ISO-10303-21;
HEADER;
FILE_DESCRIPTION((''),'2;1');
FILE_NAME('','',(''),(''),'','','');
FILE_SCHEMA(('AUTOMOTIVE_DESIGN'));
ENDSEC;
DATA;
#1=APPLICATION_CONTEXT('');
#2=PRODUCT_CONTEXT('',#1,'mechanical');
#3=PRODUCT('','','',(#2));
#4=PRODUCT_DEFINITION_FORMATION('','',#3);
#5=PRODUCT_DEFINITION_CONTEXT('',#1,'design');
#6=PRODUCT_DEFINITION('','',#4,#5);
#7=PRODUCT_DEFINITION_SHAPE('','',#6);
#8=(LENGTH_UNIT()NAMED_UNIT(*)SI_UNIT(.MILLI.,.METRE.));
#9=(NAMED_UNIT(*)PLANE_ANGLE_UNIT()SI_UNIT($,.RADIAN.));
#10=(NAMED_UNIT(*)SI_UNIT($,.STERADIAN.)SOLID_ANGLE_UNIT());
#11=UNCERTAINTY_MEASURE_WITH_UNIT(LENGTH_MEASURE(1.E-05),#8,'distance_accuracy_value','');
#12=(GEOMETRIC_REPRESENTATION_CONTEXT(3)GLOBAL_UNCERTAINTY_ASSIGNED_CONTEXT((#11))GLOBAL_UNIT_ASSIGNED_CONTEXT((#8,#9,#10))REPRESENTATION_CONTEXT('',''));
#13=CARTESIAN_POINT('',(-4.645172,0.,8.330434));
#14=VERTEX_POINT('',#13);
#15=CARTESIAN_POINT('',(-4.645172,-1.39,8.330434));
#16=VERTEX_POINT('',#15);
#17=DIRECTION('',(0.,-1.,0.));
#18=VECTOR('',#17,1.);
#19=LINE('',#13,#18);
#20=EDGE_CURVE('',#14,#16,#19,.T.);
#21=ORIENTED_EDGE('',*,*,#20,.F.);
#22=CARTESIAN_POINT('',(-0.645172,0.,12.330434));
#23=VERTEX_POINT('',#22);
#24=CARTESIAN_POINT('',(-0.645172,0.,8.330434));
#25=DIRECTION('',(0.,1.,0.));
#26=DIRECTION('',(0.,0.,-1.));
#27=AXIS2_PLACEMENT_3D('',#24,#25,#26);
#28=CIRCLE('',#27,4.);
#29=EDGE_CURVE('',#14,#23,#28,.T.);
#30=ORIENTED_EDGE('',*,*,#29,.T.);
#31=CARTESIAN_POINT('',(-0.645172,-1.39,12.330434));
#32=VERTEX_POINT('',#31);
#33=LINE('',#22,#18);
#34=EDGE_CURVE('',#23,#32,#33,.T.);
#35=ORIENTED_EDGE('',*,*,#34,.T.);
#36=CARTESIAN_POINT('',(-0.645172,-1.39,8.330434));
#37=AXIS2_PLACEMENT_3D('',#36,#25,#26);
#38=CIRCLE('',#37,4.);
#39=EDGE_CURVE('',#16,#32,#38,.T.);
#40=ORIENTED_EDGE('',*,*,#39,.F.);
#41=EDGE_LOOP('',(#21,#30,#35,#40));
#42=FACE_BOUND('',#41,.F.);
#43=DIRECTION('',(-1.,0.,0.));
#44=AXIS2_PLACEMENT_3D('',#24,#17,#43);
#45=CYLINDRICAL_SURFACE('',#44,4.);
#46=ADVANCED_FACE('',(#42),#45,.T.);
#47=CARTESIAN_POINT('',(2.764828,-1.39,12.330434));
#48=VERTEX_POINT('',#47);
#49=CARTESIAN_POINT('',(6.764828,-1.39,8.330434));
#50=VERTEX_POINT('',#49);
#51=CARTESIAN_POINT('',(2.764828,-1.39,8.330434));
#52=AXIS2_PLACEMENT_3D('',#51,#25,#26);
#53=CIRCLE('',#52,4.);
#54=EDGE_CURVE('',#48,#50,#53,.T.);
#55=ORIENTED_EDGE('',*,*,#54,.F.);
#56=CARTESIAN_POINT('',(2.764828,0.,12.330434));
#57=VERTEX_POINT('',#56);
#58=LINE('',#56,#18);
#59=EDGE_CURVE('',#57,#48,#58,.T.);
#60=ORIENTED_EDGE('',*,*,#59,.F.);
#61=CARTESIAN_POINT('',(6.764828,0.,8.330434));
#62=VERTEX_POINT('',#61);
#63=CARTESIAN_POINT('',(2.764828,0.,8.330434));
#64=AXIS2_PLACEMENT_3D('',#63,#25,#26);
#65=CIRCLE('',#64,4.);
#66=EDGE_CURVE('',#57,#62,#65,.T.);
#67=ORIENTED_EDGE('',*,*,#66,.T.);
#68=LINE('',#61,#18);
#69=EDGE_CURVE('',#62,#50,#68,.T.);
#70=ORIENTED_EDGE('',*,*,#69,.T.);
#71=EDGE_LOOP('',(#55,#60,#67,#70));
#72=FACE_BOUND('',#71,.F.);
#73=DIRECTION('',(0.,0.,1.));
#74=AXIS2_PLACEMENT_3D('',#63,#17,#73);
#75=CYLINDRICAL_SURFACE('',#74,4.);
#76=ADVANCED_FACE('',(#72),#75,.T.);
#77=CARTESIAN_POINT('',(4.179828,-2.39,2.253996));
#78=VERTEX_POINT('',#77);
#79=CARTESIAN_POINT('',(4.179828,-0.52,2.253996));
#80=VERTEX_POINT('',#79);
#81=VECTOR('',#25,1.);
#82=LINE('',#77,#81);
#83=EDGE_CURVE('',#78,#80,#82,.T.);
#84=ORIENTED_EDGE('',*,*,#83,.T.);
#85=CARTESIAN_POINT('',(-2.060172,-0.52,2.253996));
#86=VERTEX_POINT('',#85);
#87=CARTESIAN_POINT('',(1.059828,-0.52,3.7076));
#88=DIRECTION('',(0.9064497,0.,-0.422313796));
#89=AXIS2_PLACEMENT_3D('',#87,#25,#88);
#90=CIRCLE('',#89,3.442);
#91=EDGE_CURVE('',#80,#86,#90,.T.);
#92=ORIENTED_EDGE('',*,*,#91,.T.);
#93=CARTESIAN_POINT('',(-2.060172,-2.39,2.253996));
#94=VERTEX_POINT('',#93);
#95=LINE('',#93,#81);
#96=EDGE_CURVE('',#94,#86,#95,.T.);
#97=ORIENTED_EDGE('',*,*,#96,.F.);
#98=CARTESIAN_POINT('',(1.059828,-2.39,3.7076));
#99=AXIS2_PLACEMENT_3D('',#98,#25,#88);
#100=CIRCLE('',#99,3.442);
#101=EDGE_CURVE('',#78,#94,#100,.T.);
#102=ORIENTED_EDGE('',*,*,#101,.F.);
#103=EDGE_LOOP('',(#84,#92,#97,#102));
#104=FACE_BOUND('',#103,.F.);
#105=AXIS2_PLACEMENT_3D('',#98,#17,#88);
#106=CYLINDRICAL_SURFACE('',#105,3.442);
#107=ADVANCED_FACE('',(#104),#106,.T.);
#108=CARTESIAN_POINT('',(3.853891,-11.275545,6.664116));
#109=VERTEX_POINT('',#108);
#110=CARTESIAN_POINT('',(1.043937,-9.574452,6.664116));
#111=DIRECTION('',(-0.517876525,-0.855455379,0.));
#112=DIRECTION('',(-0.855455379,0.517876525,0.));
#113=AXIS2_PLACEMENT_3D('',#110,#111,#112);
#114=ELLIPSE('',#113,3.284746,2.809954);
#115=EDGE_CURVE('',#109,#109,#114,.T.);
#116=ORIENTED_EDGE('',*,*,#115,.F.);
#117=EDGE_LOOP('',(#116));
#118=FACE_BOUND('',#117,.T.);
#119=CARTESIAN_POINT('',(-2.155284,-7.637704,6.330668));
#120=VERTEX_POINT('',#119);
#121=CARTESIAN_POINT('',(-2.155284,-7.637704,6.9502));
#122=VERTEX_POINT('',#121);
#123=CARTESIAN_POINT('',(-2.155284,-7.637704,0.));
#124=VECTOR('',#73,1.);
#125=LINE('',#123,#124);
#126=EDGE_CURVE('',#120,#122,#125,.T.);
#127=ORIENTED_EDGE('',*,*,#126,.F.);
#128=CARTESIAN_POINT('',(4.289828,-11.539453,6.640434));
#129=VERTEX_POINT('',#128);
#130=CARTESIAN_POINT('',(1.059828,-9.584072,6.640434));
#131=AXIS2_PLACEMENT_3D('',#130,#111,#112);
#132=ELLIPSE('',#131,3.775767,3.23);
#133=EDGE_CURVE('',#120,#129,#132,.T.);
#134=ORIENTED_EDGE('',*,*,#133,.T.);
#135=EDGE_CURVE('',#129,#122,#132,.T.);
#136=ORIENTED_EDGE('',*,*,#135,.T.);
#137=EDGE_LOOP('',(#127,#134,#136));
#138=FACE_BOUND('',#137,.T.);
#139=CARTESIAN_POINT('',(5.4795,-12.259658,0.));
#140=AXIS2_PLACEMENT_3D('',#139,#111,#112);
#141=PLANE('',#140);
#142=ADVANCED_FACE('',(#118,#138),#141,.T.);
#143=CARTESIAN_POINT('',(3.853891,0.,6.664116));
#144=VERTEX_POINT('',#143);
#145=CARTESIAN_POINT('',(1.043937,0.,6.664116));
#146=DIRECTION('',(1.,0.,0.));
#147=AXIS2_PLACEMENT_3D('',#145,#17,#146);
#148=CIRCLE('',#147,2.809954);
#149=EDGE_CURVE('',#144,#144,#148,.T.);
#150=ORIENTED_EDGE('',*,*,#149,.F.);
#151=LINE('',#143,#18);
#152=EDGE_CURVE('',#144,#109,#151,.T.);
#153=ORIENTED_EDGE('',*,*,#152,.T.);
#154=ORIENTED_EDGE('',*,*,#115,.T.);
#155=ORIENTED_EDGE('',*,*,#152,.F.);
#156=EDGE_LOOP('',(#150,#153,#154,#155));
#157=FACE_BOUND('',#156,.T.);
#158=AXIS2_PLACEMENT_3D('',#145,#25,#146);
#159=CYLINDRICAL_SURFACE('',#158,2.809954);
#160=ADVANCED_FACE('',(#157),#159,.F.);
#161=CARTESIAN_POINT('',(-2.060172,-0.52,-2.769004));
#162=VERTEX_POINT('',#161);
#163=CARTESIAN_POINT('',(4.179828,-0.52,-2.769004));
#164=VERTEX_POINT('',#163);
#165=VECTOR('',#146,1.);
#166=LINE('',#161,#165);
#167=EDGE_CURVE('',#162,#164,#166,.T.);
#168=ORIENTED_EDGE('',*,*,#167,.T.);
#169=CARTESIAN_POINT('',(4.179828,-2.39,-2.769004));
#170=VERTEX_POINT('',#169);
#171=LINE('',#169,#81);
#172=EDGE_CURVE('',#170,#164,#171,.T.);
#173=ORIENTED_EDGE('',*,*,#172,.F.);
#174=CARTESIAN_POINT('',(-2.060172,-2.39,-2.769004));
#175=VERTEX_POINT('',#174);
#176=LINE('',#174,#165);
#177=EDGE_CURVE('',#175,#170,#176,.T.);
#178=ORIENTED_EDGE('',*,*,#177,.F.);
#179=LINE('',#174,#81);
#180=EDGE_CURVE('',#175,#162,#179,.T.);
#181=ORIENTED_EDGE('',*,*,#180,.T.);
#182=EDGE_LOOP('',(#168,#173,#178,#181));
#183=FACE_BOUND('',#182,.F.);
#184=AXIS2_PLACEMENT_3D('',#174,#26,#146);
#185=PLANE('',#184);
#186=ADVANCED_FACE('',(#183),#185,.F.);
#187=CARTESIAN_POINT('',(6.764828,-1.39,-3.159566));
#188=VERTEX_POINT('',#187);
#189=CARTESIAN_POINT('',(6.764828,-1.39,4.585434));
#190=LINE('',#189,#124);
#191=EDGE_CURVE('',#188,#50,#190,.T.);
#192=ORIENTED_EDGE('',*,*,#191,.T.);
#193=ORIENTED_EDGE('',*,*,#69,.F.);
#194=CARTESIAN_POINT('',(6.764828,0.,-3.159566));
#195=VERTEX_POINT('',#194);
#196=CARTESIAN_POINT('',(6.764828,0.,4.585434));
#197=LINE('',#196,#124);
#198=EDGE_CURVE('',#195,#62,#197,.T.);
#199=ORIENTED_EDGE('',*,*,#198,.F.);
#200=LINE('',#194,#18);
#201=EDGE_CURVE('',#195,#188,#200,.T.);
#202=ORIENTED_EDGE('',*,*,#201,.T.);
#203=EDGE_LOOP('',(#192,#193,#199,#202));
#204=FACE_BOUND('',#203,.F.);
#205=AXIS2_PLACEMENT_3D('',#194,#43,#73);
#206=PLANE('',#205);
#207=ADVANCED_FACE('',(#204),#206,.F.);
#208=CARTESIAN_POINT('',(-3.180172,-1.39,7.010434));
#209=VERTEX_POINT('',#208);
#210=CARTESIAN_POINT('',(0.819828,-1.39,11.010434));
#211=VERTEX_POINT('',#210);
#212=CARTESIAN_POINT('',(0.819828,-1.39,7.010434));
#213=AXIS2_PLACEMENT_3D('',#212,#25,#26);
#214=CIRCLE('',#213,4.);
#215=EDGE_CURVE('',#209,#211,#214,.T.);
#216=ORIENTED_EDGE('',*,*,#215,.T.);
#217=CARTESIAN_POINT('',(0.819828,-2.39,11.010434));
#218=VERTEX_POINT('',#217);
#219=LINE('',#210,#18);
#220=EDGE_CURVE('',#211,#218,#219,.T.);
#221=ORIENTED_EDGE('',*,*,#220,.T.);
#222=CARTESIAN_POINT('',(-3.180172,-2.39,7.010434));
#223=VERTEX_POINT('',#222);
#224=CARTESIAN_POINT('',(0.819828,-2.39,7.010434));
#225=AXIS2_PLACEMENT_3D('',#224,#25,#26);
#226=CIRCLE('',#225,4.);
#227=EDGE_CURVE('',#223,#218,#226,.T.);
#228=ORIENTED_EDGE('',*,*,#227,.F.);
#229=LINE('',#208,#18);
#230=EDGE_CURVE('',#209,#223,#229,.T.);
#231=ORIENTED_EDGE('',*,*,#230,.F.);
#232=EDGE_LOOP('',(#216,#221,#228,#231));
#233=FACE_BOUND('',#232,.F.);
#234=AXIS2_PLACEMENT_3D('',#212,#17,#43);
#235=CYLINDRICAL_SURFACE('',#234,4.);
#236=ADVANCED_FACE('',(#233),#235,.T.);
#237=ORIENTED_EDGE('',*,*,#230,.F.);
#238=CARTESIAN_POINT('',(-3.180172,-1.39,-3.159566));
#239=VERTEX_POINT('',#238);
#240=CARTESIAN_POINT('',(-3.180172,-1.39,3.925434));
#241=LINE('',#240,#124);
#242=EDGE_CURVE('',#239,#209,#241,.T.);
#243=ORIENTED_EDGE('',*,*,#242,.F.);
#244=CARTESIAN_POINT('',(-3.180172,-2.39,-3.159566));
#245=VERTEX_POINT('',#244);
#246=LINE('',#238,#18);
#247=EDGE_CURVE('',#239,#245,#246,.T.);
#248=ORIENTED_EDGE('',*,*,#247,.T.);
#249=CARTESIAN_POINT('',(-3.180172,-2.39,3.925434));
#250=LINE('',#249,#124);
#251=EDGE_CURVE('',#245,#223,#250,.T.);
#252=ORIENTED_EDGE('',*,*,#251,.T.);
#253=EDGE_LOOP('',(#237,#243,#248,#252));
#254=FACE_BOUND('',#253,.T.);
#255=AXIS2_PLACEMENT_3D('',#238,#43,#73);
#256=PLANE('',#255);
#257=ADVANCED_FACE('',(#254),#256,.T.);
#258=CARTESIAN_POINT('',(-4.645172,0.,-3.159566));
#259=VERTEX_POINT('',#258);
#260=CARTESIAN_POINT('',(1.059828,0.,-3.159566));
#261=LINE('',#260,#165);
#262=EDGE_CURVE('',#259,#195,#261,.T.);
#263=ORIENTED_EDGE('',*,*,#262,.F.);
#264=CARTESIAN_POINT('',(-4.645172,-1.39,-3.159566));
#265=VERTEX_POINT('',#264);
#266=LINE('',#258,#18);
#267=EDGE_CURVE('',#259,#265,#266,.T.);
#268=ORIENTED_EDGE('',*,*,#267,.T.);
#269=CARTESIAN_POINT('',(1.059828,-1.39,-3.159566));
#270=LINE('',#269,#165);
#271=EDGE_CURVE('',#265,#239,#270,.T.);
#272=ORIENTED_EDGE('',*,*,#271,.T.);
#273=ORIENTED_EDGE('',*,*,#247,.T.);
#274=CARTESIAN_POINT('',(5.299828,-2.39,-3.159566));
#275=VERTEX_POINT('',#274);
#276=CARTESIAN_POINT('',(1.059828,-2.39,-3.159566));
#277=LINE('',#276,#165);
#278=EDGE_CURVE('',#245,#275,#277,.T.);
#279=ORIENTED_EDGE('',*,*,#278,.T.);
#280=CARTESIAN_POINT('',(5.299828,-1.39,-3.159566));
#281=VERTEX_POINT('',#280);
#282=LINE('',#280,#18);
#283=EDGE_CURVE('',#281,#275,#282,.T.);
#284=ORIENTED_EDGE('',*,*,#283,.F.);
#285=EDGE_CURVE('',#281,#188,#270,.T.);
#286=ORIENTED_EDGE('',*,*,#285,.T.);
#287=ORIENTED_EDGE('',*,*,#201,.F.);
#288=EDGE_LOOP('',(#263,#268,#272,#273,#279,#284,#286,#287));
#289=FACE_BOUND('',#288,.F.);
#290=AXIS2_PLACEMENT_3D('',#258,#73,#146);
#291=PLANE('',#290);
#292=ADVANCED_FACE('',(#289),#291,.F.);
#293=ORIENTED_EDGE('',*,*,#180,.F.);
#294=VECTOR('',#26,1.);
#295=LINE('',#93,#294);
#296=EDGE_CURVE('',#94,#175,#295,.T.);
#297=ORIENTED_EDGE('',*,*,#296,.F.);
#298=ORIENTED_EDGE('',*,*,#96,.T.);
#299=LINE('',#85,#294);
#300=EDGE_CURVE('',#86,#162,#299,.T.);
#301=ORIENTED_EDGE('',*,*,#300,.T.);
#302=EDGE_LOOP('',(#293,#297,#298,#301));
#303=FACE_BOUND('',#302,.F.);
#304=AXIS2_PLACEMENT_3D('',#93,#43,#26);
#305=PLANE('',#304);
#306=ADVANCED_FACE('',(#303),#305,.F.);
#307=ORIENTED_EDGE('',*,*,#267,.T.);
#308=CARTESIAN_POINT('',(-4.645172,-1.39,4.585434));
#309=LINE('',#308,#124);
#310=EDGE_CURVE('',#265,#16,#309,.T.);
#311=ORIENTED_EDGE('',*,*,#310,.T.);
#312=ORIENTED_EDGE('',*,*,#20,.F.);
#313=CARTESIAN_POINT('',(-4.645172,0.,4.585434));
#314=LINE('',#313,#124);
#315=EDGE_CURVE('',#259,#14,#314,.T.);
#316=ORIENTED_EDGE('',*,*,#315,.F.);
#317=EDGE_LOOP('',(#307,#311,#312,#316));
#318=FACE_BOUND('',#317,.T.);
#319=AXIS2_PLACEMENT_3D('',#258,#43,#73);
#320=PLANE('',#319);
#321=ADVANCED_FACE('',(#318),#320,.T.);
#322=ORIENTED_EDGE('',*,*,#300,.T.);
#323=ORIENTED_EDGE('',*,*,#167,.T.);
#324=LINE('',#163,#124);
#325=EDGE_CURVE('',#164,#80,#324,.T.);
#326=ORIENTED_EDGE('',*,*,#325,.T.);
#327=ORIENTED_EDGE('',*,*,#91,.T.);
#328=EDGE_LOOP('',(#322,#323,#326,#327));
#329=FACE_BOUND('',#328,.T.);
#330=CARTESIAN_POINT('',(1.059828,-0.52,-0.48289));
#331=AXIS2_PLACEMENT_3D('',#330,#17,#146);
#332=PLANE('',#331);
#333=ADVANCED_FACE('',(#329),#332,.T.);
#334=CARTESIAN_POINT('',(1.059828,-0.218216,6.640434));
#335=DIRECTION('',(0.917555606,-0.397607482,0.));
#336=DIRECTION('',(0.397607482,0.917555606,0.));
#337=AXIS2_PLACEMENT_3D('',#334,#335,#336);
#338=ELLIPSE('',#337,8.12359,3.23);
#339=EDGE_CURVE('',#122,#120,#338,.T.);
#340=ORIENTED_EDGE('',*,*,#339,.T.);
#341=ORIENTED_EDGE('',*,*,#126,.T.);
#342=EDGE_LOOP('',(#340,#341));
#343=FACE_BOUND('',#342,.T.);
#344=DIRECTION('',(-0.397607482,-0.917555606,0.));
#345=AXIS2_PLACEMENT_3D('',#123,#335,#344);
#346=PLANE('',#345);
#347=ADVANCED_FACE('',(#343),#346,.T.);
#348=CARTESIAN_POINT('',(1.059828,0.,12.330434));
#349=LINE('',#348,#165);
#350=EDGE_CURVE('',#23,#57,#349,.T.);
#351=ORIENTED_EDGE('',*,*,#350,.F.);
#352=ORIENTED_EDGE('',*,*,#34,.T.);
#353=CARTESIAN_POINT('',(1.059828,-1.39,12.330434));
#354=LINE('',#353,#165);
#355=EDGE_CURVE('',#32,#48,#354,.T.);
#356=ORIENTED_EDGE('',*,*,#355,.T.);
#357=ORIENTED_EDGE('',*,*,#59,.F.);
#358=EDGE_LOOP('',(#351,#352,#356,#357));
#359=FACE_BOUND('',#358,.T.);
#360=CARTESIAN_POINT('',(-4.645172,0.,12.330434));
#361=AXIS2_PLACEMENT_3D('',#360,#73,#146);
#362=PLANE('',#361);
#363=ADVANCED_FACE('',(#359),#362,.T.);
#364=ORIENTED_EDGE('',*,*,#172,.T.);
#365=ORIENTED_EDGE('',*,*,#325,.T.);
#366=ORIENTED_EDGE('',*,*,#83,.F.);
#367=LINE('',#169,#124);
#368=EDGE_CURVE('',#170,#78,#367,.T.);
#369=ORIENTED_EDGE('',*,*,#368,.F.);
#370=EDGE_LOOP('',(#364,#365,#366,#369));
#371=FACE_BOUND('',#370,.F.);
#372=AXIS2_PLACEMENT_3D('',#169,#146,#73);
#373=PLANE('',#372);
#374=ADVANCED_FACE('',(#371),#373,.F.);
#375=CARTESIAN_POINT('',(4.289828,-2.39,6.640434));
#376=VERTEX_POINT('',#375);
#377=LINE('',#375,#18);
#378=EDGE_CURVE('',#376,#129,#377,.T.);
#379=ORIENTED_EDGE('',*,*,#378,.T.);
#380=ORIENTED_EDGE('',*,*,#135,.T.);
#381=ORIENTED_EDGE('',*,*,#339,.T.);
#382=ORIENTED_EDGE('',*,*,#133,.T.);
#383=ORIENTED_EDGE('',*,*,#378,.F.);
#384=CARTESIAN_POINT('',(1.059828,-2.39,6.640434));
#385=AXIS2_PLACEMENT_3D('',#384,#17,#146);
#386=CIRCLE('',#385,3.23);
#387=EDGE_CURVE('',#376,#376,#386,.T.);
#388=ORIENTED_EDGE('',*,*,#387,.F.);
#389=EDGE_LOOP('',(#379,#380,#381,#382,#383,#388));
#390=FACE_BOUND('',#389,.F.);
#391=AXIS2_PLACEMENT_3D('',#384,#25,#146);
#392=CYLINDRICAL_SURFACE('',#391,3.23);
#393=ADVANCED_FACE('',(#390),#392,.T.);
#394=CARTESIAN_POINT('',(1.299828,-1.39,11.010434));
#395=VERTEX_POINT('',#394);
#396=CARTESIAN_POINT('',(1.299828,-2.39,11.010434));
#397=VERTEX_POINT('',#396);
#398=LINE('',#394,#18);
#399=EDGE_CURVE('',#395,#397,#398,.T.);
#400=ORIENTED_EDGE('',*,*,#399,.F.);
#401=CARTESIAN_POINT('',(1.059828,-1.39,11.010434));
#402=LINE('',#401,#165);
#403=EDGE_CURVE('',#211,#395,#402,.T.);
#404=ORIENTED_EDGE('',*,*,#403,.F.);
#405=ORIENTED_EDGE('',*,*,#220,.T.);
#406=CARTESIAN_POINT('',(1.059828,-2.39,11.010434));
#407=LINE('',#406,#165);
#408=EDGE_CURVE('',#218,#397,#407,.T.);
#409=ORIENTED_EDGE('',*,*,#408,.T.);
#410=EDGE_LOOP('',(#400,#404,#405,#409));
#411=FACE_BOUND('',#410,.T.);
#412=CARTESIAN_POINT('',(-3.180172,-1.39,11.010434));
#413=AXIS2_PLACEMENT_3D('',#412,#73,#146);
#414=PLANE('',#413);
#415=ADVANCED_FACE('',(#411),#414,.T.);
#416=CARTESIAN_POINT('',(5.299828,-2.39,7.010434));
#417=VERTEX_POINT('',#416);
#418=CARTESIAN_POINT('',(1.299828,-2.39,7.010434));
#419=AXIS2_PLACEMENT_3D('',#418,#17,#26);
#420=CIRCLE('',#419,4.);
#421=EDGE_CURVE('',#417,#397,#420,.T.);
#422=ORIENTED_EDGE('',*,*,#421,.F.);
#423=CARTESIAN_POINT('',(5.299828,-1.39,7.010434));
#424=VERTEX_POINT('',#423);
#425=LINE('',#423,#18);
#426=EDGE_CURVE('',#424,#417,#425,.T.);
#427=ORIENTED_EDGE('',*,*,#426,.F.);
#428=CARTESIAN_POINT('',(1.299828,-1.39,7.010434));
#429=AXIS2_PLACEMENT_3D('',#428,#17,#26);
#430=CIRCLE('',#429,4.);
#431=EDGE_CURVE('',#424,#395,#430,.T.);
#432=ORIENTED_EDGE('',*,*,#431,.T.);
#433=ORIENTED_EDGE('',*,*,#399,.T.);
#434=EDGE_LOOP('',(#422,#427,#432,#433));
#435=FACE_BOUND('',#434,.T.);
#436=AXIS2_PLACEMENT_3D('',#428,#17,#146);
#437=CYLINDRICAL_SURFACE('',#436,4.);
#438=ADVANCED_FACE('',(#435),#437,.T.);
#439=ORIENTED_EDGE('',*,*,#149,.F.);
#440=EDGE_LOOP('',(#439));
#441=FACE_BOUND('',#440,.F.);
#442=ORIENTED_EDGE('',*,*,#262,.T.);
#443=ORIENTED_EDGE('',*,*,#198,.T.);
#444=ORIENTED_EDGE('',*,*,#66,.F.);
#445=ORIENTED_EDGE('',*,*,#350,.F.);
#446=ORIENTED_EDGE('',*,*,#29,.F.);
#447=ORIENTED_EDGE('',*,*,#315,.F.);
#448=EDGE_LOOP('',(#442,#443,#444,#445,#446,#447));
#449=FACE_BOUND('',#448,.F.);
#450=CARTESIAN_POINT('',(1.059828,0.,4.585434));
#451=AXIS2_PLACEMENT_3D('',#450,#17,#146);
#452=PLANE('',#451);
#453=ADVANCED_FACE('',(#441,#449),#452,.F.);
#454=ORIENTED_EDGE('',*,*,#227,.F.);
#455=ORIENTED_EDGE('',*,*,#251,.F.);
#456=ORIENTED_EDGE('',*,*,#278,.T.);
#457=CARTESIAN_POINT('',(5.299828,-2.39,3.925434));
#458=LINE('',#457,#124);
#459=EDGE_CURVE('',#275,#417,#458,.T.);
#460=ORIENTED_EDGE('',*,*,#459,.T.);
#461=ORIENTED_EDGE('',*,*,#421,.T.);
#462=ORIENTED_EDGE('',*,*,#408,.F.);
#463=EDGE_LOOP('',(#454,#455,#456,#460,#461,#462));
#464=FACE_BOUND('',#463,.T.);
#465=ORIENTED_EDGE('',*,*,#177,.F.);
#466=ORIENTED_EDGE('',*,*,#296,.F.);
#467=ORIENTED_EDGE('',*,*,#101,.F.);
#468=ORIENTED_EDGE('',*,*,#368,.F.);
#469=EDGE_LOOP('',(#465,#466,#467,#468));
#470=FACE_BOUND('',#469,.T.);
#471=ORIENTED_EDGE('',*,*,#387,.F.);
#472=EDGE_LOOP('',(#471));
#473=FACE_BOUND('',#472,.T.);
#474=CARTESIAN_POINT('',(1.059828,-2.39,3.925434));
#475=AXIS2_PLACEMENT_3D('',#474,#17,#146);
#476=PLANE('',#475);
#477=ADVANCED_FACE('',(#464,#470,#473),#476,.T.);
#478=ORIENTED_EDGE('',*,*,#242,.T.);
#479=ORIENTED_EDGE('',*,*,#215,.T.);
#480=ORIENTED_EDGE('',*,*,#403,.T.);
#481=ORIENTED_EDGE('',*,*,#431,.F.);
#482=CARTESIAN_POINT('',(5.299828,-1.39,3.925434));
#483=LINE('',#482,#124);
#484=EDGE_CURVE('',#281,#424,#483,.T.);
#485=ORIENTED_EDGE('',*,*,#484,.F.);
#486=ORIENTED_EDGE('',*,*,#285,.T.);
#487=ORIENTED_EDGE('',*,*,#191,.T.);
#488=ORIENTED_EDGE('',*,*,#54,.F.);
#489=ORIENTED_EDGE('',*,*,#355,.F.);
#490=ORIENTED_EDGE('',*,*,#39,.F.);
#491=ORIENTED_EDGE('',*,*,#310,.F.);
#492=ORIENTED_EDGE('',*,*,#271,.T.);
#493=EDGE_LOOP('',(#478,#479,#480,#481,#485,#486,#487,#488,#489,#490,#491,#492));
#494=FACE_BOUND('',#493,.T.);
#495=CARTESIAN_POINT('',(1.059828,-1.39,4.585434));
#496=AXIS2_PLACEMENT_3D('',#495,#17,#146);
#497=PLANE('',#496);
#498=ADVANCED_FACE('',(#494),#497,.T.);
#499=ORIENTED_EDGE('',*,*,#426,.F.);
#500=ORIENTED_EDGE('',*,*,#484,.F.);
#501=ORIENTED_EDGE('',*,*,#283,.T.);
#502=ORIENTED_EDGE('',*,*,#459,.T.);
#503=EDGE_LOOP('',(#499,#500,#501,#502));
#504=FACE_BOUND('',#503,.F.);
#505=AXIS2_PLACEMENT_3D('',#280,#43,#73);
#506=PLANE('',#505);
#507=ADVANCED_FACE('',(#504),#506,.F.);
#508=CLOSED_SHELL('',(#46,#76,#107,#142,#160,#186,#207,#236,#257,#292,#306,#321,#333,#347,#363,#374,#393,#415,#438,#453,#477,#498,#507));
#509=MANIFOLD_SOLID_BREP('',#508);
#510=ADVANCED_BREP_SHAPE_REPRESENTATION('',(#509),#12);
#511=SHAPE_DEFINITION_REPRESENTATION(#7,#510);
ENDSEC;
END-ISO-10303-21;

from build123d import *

# Parameters (mm, degrees)
F0_W      = 11.41
F0_H      = 15.49
F1_DEPTH  = 1.39
F2_W      = 8.48
F2_H      = 14.17
F3_DEPTH  = 1
F4_R      = 3.23
F5_DEPTH  = 9.16
F6_R      = 4
F7_R      = 2.809954
F8_DEPTH  = 11.551
F10_DEPTH = 25
F12_DEPTH = 1.87


with BuildPart() as f1:
    # F0 (on Front) → F1 (new body)
    with BuildSketch(Plane.XZ):
        with Locations((1.059828, 4.585434)):
            Rectangle(F0_W, F0_H)
    extrude(amount=F1_DEPTH)

    # F2 (on face) → F3 (join)
    with BuildSketch(Plane.XZ.offset(1.39)):
        with Locations((1.059828, 3.925434)):
            Rectangle(F2_W, F2_H)
    extrude(amount=F3_DEPTH)

    # F4 (on face) → F5 (join)
    with BuildSketch(Plane.XZ.offset(2.39)):
        with Locations((1.059828, 6.640434)):
            Circle(F4_R)
    extrude(amount=F5_DEPTH)

    # F6
    f6_edges = [f1.edges().sort_by_distance(p)[0] for p in [
        (-4.645172, -0.695, 12.330434),
        (6.764828, -0.695, 12.330434),
        (5.299828, -1.89, 11.010434),
        (-3.180172, -1.89, 11.010434),
    ]]
    fillet(f6_edges, radius=F6_R)

    # F7 (on Front) → F8 (cut, through all)
    with BuildSketch(Plane.XZ):
        with Locations((1.043937, 6.664116)):
            Circle(F7_R)
    extrude(amount=F8_DEPTH, mode=Mode.SUBTRACT)

    # F9 (on Top) → F10 (cut)
    with BuildSketch(Plane.XY):
        Polygon((5.4795, -12.259658), (-2.155284, -7.637704), (-4.158131, -12.259658), align=None)
    extrude(amount=F10_DEPTH, mode=Mode.SUBTRACT)

    # F11 (on face) → F12 (cut)
    with BuildSketch(Plane.XZ.offset(2.39)):
        with BuildLine():
            ThreePointArc((4.179828, 2.253996), (1.059828, 0.2656), (-2.060172, 2.253996))
            Line((-2.060172, 2.253996), (-2.060172, -2.769004))
            Line((-2.060172, -2.769004), (4.179828, -2.769004))
            Line((4.179828, -2.769004), (4.179828, 2.253996))
        make_face()
    extrude(amount=-F12_DEPTH, mode=Mode.SUBTRACT)


solid = f1.part
